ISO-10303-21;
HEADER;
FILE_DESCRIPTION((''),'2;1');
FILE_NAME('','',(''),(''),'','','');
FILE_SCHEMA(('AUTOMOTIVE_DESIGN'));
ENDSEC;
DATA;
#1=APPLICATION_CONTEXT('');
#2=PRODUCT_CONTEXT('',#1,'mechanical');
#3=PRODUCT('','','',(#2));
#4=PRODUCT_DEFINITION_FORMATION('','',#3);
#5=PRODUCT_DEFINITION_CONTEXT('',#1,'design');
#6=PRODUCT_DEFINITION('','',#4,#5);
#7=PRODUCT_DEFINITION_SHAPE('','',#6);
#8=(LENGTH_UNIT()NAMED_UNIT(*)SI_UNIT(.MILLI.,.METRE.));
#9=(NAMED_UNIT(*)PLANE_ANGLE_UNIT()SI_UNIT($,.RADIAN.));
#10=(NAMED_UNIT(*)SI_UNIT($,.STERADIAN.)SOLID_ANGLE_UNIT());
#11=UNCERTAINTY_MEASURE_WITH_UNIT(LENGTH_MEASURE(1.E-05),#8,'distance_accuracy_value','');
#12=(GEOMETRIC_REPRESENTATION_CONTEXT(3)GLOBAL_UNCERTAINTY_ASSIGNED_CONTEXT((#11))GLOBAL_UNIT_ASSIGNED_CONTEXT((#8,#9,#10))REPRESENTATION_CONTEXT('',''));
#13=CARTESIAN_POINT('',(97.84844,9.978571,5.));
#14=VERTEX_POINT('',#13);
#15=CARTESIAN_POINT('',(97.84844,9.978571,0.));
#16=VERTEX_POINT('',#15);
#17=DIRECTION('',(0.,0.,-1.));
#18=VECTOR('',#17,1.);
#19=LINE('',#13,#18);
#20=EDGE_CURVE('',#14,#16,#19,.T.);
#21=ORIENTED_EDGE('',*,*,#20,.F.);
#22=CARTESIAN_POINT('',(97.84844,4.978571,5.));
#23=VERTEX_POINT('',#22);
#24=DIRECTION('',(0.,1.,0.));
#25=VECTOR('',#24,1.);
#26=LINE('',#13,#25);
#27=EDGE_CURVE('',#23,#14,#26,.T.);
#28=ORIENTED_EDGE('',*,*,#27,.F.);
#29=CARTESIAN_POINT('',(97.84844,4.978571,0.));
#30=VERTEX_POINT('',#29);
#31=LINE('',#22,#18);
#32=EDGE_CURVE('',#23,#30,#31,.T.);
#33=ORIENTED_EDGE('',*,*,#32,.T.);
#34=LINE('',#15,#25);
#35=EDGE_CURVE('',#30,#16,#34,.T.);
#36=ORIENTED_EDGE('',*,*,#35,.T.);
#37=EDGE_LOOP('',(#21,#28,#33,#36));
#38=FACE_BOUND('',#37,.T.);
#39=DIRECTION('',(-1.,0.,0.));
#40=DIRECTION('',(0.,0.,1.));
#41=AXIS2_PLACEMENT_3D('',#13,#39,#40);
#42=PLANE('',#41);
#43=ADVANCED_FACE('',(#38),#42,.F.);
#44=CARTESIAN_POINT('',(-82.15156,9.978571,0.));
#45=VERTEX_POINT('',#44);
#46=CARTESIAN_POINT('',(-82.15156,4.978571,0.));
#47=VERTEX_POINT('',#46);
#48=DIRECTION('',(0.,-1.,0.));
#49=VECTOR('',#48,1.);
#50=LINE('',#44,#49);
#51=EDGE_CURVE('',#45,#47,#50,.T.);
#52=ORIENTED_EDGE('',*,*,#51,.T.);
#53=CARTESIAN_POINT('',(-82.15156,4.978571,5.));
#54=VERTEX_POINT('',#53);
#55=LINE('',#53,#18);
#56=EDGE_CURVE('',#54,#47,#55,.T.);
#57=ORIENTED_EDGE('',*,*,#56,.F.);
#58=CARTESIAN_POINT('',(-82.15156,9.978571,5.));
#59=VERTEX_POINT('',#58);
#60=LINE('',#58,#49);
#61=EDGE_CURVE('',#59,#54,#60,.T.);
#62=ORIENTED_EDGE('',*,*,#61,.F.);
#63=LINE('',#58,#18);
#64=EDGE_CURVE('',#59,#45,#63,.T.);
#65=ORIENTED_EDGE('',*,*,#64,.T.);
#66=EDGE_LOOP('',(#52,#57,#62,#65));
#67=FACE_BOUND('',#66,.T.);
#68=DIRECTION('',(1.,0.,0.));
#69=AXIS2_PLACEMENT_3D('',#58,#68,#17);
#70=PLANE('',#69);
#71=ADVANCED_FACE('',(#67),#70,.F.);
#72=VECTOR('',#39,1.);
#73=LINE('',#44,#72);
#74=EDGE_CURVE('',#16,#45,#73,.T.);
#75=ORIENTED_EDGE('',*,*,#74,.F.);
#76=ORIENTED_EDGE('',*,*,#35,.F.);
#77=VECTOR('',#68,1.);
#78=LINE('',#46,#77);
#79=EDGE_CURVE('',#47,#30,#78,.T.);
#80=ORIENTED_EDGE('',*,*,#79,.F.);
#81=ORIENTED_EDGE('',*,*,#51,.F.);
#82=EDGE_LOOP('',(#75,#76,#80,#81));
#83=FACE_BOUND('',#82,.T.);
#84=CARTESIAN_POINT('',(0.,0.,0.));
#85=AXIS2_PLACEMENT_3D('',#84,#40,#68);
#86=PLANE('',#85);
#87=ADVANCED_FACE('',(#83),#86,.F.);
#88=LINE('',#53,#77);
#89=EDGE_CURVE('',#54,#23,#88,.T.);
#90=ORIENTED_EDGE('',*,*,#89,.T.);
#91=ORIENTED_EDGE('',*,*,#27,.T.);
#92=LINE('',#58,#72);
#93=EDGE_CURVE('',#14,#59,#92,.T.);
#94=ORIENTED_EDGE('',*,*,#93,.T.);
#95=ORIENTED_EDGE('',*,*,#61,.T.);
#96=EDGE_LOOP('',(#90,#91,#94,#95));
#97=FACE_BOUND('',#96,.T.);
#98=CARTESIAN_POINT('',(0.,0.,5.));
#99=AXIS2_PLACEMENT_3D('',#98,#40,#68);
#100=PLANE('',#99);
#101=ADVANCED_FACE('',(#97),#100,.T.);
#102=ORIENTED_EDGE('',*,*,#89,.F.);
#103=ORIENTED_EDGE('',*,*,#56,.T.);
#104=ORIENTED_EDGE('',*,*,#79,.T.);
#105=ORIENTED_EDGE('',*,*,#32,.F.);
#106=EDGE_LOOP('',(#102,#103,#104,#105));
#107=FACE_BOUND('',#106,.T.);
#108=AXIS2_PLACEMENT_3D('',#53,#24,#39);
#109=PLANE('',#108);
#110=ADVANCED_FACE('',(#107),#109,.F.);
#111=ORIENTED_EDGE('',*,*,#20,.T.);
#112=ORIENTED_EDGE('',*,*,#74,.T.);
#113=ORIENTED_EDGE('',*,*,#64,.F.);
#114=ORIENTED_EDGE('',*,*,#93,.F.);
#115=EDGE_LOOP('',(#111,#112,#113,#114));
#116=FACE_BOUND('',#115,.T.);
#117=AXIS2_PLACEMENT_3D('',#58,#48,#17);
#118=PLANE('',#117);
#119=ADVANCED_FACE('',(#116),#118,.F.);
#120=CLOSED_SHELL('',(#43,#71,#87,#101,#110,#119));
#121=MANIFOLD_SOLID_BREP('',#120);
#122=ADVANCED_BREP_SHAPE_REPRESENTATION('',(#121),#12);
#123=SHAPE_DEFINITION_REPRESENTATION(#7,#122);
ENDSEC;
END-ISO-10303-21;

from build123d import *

# Parameters (mm, degrees)
SKETCH_1_W      = 180
SKETCH_1_H      = 5
EXTRUDE_1_DEPTH = 5


with BuildPart() as part:
    # ｽｹｯﾁ1 → ﾎﾞｽ - 押し出し1 (new body)
    with BuildSketch(Plane.XY):
        with Locations((7.848439705, 7.478571429)):
            Rectangle(SKETCH_1_W, SKETCH_1_H)
    extrude(amount=EXTRUDE_1_DEPTH)


solid = part.part
